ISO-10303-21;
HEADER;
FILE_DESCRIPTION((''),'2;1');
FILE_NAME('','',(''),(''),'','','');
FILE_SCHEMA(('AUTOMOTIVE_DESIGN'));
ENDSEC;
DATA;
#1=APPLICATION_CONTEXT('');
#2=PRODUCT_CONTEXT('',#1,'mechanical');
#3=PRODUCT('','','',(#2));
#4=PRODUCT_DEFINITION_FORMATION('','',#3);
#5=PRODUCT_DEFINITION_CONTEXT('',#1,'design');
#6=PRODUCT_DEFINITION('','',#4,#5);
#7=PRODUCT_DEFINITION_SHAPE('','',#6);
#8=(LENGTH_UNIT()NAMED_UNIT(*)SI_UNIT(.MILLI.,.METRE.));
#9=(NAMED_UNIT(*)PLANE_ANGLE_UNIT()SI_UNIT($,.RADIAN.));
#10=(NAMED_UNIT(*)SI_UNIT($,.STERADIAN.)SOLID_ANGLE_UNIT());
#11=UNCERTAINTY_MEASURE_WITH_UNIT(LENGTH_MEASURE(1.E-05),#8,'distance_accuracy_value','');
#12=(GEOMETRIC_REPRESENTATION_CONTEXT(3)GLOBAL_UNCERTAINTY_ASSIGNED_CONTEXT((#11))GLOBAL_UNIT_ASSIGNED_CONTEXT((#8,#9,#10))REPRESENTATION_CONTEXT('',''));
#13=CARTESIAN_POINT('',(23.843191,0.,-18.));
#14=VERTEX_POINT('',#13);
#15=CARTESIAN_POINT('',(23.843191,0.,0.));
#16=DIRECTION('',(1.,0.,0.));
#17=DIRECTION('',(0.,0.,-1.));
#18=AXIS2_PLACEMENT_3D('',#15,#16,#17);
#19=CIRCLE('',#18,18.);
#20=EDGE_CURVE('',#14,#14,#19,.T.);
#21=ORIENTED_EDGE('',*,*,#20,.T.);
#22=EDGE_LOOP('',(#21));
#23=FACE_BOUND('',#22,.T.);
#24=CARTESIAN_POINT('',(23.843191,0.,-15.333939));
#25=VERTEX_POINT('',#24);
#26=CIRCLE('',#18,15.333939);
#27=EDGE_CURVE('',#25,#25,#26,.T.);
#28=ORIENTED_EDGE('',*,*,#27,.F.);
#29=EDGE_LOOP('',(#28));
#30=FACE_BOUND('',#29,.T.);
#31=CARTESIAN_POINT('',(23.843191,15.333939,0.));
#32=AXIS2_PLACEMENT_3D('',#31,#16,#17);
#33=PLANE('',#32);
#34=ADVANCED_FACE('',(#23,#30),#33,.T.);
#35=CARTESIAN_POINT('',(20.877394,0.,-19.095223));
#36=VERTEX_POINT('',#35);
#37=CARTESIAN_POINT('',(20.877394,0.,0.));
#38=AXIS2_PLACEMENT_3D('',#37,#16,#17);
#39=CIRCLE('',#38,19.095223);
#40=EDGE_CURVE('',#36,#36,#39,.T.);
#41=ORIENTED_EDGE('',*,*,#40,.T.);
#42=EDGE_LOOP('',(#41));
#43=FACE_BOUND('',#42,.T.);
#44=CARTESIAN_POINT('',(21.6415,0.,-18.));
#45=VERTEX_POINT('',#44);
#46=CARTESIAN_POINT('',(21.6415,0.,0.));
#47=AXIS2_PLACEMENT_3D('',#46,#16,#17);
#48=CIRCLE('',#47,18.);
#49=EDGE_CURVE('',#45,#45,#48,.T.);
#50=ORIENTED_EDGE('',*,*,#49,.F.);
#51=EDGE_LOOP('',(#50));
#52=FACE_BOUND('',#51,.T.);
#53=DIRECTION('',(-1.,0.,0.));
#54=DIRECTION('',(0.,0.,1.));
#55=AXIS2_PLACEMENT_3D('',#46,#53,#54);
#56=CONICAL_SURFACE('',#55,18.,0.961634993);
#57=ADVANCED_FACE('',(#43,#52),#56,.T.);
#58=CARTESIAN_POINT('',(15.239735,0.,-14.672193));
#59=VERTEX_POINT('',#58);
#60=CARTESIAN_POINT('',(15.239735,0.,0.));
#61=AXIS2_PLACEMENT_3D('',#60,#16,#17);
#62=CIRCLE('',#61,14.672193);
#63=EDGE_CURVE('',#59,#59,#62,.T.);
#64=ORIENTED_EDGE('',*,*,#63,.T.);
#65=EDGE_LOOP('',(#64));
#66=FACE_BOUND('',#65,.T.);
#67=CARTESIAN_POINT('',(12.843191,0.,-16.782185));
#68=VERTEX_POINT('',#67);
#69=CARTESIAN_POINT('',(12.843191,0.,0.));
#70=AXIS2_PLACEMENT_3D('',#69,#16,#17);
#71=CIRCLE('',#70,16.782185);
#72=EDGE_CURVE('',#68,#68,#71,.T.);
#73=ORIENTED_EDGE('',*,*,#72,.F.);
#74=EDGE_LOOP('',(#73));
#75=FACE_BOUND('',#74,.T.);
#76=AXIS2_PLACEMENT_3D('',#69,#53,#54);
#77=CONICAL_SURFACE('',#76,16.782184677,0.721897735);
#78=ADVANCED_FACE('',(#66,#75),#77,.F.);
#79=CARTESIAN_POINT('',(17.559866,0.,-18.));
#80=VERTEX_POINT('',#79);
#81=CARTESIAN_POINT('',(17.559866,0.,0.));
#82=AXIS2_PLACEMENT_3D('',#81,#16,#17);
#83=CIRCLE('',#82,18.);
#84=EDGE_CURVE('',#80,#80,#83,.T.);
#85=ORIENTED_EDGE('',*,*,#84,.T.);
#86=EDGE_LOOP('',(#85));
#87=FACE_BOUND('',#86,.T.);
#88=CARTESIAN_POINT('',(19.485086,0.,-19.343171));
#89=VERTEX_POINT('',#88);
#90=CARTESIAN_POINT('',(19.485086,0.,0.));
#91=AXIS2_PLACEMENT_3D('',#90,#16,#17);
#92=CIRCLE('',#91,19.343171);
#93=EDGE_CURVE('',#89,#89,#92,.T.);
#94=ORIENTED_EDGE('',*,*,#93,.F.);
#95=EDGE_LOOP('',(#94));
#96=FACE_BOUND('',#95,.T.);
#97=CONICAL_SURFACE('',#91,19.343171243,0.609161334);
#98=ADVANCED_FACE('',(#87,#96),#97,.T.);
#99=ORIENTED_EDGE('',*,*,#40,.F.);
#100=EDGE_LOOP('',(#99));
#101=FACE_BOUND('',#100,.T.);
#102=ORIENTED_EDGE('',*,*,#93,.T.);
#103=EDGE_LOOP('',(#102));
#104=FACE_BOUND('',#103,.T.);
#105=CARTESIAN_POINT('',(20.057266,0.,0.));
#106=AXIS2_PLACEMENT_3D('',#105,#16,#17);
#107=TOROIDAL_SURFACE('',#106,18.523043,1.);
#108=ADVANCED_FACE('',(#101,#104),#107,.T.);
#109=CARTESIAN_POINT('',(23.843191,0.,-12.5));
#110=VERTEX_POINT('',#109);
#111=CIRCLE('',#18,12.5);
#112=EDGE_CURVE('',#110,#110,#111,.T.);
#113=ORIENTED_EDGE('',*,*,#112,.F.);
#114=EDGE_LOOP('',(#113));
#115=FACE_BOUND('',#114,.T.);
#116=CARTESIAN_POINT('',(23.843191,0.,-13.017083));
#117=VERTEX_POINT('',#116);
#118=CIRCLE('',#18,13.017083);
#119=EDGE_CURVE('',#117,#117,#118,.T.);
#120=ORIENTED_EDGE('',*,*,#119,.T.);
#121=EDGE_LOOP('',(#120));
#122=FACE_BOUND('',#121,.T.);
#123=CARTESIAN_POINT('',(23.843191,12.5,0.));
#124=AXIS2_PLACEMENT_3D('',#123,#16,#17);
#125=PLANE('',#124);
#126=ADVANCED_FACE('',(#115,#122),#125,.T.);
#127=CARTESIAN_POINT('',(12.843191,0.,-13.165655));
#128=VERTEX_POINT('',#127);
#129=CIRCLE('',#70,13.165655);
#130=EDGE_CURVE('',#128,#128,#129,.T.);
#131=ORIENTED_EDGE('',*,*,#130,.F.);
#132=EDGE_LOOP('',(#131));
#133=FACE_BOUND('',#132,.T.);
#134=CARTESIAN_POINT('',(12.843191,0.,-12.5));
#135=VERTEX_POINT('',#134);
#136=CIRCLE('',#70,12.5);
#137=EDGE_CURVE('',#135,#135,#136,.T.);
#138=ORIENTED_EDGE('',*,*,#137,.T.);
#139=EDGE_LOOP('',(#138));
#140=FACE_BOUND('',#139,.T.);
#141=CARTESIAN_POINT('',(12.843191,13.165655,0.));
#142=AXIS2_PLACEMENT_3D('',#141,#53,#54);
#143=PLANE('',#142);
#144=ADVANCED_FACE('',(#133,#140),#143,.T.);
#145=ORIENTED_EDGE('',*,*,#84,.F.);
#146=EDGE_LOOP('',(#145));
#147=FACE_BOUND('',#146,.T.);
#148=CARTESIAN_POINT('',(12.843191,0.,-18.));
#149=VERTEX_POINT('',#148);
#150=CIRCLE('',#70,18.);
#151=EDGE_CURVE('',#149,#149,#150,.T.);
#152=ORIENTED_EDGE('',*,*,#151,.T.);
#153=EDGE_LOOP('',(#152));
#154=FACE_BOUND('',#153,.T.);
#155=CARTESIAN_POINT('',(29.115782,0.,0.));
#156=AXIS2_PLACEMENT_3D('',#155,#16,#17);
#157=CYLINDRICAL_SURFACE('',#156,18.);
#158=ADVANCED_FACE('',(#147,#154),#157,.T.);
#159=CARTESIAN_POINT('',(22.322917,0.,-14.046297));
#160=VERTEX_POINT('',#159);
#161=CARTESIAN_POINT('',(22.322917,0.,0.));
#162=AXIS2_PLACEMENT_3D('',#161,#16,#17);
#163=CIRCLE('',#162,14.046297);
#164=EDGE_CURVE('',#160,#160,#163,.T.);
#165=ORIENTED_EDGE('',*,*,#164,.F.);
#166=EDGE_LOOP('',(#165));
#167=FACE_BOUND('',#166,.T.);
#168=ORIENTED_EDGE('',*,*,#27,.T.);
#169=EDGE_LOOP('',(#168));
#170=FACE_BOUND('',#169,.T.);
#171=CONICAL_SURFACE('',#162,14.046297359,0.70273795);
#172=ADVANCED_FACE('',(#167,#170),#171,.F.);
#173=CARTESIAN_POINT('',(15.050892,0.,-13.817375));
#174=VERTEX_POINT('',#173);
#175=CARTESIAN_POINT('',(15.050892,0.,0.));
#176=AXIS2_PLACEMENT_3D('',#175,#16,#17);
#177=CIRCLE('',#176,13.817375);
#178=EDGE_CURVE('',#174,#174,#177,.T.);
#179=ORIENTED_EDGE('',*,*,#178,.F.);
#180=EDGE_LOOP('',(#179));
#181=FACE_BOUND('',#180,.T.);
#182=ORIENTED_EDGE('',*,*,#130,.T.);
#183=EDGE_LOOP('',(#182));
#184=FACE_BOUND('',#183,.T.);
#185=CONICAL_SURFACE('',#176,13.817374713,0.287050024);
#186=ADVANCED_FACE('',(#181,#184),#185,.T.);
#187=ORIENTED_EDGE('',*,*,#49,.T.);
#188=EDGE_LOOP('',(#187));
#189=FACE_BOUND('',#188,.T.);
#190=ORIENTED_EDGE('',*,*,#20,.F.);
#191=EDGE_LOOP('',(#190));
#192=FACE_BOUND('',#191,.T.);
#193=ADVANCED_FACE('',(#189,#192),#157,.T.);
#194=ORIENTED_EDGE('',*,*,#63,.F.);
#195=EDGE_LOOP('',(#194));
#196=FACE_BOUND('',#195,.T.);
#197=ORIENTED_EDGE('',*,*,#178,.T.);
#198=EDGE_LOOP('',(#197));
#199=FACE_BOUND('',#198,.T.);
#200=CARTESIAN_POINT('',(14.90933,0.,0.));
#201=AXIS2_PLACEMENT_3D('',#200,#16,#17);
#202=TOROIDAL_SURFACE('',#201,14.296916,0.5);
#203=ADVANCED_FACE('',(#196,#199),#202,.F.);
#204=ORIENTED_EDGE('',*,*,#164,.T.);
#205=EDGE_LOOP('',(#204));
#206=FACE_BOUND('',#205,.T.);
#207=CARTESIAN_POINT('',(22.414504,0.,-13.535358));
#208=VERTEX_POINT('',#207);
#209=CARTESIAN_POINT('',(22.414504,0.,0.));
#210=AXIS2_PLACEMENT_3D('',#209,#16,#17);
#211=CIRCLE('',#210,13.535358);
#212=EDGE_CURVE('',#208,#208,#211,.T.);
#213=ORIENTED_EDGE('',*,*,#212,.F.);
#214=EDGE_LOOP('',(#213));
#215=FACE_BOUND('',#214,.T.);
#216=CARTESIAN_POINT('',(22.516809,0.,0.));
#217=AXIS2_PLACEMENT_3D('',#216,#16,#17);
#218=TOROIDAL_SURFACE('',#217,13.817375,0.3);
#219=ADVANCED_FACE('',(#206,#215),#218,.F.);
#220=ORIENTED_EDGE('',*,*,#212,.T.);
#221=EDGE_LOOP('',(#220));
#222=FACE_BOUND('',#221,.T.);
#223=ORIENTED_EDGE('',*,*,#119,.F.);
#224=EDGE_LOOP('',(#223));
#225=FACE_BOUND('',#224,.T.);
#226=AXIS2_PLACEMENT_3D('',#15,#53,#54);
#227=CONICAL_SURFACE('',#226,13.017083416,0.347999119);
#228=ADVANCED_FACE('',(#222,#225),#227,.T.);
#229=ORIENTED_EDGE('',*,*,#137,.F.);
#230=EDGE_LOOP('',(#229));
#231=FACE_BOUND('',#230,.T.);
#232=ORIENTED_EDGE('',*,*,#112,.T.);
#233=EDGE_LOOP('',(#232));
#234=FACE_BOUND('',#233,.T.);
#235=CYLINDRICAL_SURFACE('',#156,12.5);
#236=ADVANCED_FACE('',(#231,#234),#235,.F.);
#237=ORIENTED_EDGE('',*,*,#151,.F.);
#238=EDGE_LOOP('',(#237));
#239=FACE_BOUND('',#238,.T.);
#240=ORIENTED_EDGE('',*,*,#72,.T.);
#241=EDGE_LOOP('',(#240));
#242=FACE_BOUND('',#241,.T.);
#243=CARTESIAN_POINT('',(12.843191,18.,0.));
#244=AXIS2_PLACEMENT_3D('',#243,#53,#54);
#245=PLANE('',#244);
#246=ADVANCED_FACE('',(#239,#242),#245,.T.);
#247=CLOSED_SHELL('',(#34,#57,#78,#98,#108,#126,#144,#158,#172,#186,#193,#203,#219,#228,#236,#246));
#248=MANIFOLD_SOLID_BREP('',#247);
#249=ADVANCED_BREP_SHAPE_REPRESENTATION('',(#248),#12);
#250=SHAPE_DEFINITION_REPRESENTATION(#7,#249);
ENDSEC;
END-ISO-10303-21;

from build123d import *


with BuildPart() as part:
    # Croquis1 → Revolución1 (revolve)
    with BuildSketch(Plane.XY, mode=Mode.PRIVATE) as revoluci_n1_sk:
        with BuildLine():
            Line((23.843190864, 18), (21.641499939, 18))
            Line((21.641499939, 18), (20.877394398, 19.095222917))
            ThreePointArc((20.877394398, 19.095222917), (20.232592167, 19.507553513), (19.485086377, 19.343171243))
            Line((19.485086377, 19.343171243), (17.559865516, 18))
            Line((17.559865516, 18), (12.843190864, 18))
            Line((12.843190864, 18), (12.843190864, 16.782184677))
            Line((12.843190864, 16.782184677), (15.239734897, 14.672192861))
            ThreePointArc((15.239734897, 14.672192861), (15.397557992, 14.189058917), (15.050891885, 13.817374713))
            Line((15.050891885, 13.817374713), (12.843190864, 13.165654901))
            Line((12.843190864, 13.165654901), (12.843190864, 12.5))
            Line((12.843190864, 12.5), (23.843190864, 12.5))
            Line((23.843190864, 12.5), (23.843190864, 13.017083416))
            Line((23.843190864, 13.017083416), (22.414504066, 13.535357634))
            ThreePointArc((22.414504066, 13.535357634), (22.221515959, 13.764442451), (22.32291652, 14.046297359))
            Line((22.32291652, 14.046297359), (23.843190864, 15.333938712))
            Line((23.843190864, 15.333938712), (23.843190864, 18))
        make_face()
    revolve(revoluci_n1_sk.sketch.rotate(Axis((29.11578235, 0, 0), (-1, 0, 0)), 90), axis=Axis((29.11578235, 0, 0), (-1, 0, 0)))


solid = part.part
